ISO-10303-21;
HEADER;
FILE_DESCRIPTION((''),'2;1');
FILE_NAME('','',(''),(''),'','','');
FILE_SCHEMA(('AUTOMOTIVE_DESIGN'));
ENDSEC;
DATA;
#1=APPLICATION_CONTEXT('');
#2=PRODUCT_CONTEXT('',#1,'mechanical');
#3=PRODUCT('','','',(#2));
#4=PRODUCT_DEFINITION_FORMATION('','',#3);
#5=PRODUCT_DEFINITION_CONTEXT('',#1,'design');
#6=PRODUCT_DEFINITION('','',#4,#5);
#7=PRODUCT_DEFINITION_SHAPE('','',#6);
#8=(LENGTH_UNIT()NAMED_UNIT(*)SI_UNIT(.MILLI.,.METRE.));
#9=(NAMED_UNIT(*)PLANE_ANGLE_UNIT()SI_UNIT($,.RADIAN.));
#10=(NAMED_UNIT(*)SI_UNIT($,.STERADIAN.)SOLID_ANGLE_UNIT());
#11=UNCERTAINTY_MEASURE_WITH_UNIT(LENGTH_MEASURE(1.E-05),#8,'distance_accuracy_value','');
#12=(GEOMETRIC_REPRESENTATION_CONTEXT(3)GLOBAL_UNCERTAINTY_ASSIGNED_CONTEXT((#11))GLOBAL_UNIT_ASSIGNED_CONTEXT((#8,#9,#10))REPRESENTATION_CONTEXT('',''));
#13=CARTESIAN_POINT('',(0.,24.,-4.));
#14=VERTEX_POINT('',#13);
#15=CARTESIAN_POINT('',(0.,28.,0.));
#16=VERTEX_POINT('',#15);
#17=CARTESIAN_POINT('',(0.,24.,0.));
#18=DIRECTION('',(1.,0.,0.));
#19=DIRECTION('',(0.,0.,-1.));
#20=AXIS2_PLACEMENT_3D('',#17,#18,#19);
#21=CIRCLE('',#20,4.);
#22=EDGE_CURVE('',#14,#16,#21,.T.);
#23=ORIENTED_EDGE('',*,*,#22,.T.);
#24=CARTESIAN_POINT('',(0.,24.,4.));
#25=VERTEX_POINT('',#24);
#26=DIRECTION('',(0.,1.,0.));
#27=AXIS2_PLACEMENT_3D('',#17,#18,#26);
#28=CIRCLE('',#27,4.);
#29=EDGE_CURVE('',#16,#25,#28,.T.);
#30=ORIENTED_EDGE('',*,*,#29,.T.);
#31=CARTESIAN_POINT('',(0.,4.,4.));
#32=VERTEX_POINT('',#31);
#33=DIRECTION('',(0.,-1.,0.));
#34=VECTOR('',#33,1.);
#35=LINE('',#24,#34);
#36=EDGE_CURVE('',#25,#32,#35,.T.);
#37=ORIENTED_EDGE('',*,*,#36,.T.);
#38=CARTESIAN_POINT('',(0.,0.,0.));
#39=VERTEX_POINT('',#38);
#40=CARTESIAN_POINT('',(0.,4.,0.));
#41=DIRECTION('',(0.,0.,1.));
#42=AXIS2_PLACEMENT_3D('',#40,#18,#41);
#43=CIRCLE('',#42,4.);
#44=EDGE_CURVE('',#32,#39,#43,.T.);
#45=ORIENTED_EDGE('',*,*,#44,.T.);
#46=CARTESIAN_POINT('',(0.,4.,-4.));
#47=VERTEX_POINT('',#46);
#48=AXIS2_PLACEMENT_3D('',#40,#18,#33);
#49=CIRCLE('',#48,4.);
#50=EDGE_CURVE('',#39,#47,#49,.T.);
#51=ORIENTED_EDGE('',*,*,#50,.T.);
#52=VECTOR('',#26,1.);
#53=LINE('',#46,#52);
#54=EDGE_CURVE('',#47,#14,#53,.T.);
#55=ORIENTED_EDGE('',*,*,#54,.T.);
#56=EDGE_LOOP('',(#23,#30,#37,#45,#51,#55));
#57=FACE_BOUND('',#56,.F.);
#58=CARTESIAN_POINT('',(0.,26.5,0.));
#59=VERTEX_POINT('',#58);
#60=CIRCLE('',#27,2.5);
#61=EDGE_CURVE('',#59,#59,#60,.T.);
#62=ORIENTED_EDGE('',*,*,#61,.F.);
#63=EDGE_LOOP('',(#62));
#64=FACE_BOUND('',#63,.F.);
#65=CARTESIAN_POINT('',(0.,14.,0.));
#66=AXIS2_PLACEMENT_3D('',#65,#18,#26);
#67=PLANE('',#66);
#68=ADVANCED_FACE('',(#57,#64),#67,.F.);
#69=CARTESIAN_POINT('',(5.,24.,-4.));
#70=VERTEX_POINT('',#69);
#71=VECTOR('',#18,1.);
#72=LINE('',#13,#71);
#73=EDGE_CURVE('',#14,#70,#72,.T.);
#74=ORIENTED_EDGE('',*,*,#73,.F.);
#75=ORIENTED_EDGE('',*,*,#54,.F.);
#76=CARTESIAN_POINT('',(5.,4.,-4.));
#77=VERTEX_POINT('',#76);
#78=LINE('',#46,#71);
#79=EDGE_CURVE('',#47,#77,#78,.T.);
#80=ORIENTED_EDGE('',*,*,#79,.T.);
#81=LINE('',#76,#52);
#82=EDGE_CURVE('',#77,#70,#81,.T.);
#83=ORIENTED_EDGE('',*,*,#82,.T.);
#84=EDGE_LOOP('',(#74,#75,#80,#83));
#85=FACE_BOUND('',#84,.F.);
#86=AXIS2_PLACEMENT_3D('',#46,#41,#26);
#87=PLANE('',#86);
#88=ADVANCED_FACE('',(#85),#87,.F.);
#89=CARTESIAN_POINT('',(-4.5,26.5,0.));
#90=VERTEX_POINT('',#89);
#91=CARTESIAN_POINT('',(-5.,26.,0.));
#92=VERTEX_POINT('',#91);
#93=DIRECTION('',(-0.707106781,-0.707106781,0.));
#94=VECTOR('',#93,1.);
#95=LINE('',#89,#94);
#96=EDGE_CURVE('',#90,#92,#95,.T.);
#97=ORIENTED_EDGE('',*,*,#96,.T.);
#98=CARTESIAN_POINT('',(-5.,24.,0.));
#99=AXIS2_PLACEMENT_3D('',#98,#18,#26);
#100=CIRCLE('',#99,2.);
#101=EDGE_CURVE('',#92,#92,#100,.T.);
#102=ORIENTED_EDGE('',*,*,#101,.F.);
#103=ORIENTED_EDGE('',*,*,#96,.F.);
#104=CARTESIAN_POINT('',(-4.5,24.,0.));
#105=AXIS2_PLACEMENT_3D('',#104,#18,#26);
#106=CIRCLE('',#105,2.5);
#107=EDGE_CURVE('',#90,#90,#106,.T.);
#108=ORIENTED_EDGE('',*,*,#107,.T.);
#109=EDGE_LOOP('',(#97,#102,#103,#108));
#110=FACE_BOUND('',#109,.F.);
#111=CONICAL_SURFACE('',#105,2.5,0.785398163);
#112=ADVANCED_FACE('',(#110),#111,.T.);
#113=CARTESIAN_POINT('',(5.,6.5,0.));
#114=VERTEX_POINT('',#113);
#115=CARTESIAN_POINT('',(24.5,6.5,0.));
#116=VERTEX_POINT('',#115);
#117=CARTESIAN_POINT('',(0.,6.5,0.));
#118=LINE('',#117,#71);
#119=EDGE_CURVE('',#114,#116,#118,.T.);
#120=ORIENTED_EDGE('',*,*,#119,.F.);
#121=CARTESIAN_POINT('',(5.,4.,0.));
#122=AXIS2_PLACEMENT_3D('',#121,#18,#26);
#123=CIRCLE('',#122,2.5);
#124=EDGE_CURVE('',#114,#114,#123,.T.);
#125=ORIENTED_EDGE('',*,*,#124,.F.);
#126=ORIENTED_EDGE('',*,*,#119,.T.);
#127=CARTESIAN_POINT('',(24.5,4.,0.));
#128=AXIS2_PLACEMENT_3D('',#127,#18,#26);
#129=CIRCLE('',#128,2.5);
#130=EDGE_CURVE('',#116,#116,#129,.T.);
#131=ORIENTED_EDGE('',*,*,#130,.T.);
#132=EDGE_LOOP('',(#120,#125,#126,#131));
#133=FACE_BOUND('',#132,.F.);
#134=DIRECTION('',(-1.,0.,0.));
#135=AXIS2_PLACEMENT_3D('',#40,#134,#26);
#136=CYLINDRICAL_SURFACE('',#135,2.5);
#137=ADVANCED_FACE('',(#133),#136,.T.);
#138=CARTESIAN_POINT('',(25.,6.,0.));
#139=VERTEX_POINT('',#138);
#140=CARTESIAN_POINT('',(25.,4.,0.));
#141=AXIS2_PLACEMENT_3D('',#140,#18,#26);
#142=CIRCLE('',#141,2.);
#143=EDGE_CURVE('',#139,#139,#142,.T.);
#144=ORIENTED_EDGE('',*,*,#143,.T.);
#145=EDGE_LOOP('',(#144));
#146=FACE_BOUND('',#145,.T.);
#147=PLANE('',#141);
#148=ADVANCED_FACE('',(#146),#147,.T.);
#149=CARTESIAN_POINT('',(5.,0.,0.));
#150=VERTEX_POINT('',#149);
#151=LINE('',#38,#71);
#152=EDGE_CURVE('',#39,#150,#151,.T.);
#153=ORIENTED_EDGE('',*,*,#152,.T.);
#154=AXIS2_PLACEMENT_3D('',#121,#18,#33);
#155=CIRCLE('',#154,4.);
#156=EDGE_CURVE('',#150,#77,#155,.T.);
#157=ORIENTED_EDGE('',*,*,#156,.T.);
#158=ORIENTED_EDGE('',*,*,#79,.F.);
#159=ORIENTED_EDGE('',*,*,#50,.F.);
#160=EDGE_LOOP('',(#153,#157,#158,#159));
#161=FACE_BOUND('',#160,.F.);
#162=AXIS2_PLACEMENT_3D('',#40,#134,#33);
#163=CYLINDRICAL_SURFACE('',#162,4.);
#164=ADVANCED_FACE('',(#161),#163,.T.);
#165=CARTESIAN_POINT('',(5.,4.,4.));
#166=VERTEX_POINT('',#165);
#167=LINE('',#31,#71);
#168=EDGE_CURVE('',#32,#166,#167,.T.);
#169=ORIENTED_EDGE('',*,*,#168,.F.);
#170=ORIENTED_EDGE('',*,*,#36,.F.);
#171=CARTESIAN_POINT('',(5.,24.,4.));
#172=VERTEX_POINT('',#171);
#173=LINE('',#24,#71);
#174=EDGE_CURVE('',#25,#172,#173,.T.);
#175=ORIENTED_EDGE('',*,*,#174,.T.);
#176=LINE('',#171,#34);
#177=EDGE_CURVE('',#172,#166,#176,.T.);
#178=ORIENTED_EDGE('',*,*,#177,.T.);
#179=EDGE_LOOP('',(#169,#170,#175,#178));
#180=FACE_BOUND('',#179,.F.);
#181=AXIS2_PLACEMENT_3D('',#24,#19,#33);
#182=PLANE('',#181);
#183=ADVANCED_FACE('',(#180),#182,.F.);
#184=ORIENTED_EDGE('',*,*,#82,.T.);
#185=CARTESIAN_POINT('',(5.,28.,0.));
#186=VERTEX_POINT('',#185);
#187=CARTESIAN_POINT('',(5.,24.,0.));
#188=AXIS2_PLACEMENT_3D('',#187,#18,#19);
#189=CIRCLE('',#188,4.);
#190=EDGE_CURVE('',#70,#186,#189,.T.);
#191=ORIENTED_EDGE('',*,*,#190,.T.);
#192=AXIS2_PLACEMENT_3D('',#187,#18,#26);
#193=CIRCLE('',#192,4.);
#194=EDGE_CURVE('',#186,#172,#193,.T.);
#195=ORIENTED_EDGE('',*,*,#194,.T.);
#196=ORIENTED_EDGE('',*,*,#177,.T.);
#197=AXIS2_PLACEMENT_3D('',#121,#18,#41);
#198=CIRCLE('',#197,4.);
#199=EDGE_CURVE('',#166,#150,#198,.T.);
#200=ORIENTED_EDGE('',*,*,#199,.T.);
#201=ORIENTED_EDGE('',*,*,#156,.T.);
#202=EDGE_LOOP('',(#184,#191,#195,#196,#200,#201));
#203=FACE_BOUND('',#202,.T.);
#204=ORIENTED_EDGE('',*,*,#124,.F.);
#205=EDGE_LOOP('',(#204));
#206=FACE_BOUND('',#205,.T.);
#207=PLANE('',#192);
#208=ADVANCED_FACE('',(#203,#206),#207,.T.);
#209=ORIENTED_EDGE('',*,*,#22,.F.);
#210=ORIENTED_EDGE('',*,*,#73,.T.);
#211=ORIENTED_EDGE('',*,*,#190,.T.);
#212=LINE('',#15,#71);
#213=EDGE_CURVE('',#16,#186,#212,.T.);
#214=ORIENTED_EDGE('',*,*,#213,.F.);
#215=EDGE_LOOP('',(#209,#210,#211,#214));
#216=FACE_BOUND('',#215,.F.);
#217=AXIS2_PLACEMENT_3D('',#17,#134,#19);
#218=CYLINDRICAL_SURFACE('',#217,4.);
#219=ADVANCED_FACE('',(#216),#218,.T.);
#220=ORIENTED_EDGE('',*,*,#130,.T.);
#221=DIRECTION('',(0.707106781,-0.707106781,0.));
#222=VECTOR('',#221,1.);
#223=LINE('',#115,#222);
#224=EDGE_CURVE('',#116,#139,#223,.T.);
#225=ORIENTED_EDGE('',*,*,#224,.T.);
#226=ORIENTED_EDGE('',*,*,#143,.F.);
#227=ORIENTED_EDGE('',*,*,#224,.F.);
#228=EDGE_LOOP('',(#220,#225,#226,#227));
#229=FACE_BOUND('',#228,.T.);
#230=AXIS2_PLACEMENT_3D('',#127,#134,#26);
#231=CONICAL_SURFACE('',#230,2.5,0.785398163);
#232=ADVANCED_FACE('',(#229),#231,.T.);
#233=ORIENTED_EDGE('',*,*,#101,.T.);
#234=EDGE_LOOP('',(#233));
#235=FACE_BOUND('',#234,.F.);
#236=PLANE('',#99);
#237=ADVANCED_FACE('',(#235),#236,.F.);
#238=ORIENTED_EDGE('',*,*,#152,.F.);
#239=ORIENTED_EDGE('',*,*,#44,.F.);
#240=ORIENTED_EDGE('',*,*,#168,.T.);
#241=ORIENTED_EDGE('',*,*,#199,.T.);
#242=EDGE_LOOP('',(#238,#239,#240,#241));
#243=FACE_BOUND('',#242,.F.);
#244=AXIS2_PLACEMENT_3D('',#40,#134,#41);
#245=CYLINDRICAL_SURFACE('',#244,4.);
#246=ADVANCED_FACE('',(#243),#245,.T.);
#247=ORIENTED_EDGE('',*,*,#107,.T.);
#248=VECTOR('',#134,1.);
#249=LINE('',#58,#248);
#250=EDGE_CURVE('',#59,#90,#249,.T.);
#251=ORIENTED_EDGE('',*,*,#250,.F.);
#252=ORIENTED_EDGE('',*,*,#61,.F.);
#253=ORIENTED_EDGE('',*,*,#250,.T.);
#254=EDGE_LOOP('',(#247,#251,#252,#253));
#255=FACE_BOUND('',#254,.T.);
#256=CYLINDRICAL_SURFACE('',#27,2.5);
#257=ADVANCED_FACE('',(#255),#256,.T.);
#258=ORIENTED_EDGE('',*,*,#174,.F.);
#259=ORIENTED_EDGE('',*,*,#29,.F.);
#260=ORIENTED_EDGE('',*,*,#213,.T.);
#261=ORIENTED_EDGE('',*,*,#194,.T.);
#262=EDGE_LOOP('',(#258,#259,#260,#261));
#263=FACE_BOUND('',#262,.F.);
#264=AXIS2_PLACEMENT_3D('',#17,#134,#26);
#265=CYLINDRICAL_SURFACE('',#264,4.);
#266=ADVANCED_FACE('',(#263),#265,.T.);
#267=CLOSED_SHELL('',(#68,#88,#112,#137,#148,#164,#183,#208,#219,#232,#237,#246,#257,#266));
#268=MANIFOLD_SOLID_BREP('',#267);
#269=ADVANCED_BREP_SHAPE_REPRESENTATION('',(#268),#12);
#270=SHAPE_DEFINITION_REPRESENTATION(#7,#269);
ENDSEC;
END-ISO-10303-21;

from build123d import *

# Parameters (mm, degrees)
F0_R          = 2.5
F1_DEPTH      = 25
F2_DEPTH      = 5
F3_DEPTH      = 5
F3_DEPTH_BACK = 5
F4_SIZE       = 0.5


with BuildPart() as f1:
    # F0 (on Right) → F1 (new body)
    with BuildSketch(Plane.YZ):
        with Locations((4, 0)):
            Circle(F0_R)
    extrude(amount=F1_DEPTH)

    # F0 (on Right) → F2 (join)
    with BuildSketch(Plane.YZ):
        with BuildLine():
            ThreePointArc((0, 0), (1.1715728753, -2.8284271247), (4, -4))
            Line((4, -4), (24, -4))
            ThreePointArc((24, -4), (26.8284271247, -2.8284271247), (28, 0))
            ThreePointArc((28, 0), (26.8284271247, 2.8284271247), (24, 4))
            Line((24, 4), (4, 4))
            ThreePointArc((4, 4), (1.1715728753, 2.8284271247), (0, 0))
        make_face()
        with Locations((4, 0)):
            Circle(F0_R, mode=Mode.SUBTRACT)
        with Locations((24, 0)):
            Circle(F0_R, mode=Mode.SUBTRACT)
    extrude(amount=F2_DEPTH)

    # F0 (on Right) → F3 (join, two sides)
    with BuildSketch(Plane.YZ) as f3_sk:
        with Locations((24, 0)):
            Circle(F0_R)
    extrude(amount=-F3_DEPTH)
    extrude(f3_sk.sketch, amount=F3_DEPTH_BACK)

    # F4
    f4_edges = [f1.edges().sort_by_distance(p)[0] for p in [
        (-5, 21.5, 0),
        (25, 1.5, 0),
    ]]
    chamfer(f4_edges, length=F4_SIZE)


solid = f1.part
